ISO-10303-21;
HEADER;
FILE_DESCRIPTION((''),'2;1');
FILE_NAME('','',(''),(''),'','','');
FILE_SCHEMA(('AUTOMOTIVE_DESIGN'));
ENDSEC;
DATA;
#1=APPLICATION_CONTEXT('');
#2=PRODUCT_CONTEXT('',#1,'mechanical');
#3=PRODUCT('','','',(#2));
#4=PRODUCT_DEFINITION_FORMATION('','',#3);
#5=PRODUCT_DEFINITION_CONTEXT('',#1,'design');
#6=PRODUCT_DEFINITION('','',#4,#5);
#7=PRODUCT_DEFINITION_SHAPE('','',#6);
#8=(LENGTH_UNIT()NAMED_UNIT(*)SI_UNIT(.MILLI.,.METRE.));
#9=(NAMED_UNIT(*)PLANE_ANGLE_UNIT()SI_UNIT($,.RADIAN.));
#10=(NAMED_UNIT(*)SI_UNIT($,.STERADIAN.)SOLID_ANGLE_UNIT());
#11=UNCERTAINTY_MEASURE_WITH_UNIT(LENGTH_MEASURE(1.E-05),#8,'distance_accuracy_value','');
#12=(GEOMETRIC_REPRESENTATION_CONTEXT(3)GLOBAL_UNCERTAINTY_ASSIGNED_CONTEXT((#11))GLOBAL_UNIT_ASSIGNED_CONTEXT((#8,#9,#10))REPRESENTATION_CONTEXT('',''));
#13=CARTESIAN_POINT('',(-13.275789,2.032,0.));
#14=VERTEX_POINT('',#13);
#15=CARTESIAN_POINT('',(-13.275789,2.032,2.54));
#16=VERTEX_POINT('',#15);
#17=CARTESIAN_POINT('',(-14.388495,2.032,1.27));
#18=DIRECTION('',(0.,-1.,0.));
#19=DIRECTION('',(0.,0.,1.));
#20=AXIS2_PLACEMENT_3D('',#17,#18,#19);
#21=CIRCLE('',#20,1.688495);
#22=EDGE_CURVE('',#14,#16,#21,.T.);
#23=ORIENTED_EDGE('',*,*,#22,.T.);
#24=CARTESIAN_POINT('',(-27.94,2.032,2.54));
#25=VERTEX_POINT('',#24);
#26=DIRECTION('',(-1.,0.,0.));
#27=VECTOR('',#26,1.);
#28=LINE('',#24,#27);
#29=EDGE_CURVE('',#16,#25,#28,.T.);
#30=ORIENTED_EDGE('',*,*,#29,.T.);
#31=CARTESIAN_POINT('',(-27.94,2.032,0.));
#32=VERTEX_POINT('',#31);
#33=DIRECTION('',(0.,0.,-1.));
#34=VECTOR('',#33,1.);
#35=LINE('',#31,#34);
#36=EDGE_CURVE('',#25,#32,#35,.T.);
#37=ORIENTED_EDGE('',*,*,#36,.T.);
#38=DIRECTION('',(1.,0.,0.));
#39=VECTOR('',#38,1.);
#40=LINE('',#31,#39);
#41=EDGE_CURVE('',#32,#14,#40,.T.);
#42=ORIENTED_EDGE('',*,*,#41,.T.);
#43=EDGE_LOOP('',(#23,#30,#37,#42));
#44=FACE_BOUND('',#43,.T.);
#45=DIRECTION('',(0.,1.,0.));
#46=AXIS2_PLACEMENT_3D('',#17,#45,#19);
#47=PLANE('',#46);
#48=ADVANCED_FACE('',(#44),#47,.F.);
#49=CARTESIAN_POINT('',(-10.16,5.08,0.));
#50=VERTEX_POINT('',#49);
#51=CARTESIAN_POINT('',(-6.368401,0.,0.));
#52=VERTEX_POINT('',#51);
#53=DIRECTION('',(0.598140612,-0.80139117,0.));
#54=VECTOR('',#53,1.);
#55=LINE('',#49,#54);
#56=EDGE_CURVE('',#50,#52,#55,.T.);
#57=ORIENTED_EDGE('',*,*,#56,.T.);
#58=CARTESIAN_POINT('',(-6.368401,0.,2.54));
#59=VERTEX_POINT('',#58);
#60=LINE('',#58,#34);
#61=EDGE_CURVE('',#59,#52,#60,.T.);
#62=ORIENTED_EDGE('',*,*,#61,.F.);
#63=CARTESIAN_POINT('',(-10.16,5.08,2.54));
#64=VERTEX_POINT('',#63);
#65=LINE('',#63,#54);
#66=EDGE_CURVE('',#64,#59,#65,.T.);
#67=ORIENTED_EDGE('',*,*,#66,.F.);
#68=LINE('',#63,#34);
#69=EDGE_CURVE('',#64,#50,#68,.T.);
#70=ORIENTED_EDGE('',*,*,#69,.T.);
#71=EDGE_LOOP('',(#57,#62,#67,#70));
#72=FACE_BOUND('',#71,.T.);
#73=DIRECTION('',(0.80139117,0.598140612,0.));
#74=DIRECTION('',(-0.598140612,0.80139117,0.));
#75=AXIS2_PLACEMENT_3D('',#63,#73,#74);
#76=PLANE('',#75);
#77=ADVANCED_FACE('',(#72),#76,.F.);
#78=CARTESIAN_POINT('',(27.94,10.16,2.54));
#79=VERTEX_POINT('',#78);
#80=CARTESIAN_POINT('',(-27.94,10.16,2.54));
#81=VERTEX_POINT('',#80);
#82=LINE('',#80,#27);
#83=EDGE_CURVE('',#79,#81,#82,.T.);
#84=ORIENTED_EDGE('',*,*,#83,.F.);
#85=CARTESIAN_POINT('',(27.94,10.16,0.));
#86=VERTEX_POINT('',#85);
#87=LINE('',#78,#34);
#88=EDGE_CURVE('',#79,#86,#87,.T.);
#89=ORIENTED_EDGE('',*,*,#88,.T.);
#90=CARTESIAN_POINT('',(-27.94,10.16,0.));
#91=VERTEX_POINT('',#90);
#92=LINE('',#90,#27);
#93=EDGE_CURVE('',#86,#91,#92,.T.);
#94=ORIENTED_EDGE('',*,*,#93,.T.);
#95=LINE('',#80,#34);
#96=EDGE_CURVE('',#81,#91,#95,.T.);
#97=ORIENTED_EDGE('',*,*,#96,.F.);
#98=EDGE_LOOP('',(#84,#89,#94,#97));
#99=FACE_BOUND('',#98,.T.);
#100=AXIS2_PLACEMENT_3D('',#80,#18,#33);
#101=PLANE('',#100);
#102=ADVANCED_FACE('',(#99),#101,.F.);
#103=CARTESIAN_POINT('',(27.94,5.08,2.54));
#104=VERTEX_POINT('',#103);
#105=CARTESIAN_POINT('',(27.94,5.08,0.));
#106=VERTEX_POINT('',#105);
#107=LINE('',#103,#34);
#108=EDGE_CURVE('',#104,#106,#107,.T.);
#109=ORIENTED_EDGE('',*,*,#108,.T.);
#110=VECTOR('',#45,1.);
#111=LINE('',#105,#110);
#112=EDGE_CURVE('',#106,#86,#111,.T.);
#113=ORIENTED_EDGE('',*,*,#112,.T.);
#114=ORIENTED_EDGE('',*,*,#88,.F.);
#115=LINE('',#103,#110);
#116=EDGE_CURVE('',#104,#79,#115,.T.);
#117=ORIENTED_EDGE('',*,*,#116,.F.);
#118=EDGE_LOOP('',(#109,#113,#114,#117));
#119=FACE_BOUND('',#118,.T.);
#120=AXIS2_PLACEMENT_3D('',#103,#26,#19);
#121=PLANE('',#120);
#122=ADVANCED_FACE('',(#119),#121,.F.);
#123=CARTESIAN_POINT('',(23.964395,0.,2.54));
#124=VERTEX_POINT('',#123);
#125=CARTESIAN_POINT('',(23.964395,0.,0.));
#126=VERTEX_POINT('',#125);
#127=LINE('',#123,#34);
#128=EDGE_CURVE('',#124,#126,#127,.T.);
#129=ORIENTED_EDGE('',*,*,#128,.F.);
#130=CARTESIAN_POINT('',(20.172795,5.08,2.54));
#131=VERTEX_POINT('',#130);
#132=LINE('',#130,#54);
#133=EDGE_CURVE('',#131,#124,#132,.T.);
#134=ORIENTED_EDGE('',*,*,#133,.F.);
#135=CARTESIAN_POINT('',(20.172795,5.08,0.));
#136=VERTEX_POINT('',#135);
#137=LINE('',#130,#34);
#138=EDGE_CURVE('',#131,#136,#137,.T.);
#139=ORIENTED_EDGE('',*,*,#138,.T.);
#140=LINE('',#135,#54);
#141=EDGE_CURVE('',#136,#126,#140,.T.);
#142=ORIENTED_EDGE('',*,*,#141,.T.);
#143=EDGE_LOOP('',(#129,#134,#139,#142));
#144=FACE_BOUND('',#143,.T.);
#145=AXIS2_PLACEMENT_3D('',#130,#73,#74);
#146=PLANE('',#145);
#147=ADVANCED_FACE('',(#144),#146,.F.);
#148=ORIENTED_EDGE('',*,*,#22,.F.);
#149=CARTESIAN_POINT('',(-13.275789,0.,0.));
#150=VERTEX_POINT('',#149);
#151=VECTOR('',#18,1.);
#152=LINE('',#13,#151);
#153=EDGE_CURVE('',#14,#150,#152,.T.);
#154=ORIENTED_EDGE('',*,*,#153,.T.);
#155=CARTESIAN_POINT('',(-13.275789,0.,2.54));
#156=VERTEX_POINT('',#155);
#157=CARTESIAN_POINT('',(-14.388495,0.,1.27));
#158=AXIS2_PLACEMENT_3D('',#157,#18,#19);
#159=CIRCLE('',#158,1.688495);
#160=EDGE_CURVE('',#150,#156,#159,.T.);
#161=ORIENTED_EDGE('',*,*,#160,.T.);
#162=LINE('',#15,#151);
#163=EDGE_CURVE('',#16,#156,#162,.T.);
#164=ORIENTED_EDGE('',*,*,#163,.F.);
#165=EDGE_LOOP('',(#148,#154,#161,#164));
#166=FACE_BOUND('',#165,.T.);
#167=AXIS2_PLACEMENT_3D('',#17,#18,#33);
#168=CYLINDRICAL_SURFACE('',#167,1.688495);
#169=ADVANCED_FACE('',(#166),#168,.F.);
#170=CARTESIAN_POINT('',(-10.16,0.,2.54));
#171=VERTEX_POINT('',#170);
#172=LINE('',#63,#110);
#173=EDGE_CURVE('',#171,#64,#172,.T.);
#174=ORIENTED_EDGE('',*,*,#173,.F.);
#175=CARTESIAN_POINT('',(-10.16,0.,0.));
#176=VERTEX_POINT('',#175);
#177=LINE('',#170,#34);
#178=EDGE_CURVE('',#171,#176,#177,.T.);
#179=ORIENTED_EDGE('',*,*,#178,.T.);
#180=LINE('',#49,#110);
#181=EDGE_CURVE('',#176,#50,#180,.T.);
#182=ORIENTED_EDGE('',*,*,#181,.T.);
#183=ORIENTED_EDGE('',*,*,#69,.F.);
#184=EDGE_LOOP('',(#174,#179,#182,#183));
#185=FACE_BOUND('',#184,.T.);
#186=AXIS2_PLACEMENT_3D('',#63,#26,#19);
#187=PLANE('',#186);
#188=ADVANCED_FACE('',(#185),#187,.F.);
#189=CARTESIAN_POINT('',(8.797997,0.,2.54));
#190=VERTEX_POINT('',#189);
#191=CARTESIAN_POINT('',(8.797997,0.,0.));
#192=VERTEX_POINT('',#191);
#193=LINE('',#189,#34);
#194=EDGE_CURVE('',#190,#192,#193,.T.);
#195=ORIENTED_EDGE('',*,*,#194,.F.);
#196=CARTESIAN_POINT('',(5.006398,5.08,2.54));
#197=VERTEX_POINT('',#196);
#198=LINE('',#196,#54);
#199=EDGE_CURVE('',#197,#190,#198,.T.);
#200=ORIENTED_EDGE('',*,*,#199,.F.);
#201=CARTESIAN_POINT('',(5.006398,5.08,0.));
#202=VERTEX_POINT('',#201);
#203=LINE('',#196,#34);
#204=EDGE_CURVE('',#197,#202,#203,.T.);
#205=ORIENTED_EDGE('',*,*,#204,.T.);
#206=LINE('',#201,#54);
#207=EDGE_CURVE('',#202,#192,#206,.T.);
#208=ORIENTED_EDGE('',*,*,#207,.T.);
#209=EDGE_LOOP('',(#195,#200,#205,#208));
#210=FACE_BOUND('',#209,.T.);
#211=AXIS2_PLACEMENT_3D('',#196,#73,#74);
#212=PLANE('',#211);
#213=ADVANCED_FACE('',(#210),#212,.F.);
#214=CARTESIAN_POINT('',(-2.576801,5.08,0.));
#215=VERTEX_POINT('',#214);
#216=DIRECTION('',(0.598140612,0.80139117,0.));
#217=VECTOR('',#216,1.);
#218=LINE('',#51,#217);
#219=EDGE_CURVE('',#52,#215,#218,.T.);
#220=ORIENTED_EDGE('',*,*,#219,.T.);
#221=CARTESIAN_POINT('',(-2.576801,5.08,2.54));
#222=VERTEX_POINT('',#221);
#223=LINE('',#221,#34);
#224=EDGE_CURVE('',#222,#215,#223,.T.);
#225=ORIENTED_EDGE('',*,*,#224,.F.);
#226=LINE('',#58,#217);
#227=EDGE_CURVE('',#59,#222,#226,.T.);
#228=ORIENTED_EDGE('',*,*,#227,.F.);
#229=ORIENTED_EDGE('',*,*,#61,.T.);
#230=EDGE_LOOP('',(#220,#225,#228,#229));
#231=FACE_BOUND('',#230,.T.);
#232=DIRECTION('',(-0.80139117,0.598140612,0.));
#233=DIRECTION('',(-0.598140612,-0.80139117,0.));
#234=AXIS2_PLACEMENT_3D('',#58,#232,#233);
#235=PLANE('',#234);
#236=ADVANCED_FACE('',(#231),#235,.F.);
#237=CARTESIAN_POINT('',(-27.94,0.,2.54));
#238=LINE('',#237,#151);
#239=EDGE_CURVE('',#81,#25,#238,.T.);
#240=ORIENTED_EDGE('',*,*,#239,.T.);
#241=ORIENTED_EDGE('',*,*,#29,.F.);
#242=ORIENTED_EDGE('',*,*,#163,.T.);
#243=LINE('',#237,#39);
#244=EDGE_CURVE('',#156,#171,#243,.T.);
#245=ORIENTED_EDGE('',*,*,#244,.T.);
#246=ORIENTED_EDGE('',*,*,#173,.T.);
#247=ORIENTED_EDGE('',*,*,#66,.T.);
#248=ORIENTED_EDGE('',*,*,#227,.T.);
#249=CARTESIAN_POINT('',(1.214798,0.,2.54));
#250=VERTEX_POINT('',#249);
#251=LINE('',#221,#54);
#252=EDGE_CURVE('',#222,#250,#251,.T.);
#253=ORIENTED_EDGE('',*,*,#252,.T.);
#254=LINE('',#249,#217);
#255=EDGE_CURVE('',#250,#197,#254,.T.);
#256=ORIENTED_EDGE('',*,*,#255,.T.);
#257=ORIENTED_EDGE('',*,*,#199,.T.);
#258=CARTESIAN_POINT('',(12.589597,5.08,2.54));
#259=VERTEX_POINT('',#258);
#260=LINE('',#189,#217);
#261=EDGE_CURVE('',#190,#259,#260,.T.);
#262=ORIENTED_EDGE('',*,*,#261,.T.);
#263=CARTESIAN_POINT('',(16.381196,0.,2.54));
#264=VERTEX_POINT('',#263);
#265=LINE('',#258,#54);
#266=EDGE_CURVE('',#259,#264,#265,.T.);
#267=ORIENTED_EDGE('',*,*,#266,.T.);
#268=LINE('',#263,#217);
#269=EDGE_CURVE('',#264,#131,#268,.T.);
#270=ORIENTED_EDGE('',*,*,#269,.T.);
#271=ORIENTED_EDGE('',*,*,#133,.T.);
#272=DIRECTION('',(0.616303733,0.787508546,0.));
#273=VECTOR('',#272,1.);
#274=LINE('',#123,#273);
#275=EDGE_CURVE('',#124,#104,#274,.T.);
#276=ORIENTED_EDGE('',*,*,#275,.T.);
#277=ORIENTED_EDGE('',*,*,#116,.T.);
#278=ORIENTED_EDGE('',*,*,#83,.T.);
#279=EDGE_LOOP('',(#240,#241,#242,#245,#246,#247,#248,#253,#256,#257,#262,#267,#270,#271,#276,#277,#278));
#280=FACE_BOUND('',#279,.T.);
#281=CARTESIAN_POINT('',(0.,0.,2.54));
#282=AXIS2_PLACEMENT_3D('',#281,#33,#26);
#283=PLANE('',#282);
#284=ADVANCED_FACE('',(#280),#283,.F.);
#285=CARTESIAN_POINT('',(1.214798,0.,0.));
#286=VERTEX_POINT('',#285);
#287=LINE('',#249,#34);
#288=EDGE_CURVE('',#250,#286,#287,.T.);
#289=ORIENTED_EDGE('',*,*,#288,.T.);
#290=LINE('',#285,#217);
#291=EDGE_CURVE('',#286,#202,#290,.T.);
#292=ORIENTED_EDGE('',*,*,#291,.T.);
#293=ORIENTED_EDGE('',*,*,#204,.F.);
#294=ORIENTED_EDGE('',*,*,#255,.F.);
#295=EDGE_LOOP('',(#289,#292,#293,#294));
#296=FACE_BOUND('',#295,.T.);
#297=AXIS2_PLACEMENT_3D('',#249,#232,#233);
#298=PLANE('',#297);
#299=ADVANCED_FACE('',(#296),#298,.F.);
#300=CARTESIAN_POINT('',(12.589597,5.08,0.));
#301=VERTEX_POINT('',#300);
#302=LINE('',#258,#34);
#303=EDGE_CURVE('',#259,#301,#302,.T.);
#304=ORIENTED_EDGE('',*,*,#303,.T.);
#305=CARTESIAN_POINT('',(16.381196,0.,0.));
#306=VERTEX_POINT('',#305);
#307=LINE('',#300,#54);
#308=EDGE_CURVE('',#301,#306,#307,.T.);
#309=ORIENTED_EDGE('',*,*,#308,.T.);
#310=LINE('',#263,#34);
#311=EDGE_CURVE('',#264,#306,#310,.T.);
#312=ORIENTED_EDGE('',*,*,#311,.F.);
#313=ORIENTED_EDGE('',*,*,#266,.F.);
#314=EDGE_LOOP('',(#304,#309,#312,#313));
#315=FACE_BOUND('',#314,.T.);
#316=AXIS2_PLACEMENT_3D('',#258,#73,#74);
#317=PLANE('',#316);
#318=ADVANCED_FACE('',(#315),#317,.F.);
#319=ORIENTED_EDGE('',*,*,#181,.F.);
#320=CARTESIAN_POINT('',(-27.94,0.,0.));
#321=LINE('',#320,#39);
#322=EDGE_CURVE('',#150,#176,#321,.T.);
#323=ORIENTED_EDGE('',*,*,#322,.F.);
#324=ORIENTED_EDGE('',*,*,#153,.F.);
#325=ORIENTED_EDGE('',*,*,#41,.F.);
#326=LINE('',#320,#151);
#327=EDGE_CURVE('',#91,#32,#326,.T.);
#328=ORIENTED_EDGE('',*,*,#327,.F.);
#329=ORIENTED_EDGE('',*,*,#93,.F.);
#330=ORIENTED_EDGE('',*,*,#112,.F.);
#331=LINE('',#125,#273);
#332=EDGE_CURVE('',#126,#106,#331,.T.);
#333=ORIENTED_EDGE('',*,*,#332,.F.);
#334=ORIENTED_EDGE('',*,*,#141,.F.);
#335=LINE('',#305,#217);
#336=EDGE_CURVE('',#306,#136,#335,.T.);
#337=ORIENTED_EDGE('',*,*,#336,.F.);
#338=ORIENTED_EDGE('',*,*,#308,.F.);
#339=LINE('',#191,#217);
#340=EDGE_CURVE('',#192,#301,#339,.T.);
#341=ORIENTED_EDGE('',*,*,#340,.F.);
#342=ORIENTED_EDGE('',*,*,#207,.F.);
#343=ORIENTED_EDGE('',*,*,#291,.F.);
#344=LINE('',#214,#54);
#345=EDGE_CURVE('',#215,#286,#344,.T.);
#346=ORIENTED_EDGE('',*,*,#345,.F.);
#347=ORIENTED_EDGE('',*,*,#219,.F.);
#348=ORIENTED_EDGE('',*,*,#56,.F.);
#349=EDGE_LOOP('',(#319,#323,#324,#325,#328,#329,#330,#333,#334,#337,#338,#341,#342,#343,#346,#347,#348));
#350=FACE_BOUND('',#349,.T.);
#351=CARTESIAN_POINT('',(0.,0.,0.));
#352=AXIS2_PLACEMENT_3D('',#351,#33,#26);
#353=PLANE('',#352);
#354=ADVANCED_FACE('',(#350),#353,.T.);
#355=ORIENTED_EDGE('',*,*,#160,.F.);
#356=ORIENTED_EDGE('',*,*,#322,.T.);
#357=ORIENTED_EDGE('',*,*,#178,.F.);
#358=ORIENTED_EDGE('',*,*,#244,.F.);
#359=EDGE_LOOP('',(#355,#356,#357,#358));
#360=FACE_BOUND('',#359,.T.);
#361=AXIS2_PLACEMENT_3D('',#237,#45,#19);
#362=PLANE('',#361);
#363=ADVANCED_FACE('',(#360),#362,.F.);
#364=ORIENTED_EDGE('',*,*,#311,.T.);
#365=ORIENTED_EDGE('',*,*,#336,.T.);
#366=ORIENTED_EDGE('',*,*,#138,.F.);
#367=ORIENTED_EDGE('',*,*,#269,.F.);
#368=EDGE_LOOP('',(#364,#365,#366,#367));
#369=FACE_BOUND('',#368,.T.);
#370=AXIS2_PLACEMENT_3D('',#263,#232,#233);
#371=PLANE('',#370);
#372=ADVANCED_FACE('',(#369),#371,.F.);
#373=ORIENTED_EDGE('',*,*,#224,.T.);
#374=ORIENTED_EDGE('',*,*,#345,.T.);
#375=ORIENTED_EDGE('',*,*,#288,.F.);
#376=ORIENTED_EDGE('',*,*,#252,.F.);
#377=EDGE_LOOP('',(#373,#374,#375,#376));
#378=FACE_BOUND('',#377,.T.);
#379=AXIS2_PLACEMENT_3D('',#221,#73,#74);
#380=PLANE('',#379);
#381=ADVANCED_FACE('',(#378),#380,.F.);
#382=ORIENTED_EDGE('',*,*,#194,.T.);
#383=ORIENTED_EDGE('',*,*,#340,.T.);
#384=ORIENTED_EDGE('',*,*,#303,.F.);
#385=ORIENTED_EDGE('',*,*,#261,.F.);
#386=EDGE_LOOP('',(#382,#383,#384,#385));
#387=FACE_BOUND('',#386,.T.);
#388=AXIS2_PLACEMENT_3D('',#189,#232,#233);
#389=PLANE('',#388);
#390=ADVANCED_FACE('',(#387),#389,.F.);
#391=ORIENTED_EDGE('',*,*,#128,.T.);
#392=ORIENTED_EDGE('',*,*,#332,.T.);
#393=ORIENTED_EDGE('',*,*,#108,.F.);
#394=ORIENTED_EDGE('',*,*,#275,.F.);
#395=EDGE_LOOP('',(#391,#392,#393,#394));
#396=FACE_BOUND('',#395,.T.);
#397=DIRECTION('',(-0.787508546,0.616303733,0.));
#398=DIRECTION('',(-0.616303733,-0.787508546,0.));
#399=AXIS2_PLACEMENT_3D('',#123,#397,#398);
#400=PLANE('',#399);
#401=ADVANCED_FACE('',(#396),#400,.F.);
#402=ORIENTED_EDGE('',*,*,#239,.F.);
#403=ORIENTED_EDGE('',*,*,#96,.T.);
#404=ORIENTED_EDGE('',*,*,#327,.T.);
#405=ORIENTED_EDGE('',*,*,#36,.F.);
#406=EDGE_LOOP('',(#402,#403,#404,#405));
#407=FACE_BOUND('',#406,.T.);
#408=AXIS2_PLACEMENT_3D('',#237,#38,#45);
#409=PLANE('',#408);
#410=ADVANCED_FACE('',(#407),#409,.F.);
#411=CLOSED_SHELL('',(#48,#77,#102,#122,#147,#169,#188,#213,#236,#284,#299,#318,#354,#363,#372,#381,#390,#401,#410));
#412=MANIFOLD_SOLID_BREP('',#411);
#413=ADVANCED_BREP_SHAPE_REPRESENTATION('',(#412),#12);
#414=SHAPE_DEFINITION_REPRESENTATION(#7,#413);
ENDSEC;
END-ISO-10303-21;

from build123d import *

# Parameters (mm, degrees)
BOSS_EXTRUDE1_DEPTH = 2.54
CUT_EXTRUDE2_DEPTH  = 2.032


with BuildPart() as part:
    # Sketch1 → Boss-Extrude1 (new body)
    with BuildSketch(Plane.XY):
        Polygon((-27.94, 0), (-10.16, 0), (-10.16, 5.08), (-6.368400563, 0), (-2.576801125, 5.08), (1.214798312, 0), (5.006397749, 5.08), (8.797997187, 0), (12.589596624, 5.08), (16.381196061, 0), (20.172795499, 5.08), (23.964394936, 0), (27.94, 5.08), (27.94, 10.16), (-27.94, 10.16), align=None)
    extrude(amount=BOSS_EXTRUDE1_DEPTH)

    # Sketch2 → Cut-Extrude2 (cut)
    with BuildSketch(Plane.XZ):
        with BuildLine():
            Line((-27.94, 0), (-13.275788511, 0))
            ThreePointArc((-13.275788511, 0), (-12.7, 1.27), (-13.275788511, 2.54))
            Line((-13.275788511, 2.54), (-27.94, 2.54))
            Line((-27.94, 2.54), (-27.94, 0))
        make_face()
    extrude(amount=-CUT_EXTRUDE2_DEPTH, mode=Mode.SUBTRACT)


solid = part.part
